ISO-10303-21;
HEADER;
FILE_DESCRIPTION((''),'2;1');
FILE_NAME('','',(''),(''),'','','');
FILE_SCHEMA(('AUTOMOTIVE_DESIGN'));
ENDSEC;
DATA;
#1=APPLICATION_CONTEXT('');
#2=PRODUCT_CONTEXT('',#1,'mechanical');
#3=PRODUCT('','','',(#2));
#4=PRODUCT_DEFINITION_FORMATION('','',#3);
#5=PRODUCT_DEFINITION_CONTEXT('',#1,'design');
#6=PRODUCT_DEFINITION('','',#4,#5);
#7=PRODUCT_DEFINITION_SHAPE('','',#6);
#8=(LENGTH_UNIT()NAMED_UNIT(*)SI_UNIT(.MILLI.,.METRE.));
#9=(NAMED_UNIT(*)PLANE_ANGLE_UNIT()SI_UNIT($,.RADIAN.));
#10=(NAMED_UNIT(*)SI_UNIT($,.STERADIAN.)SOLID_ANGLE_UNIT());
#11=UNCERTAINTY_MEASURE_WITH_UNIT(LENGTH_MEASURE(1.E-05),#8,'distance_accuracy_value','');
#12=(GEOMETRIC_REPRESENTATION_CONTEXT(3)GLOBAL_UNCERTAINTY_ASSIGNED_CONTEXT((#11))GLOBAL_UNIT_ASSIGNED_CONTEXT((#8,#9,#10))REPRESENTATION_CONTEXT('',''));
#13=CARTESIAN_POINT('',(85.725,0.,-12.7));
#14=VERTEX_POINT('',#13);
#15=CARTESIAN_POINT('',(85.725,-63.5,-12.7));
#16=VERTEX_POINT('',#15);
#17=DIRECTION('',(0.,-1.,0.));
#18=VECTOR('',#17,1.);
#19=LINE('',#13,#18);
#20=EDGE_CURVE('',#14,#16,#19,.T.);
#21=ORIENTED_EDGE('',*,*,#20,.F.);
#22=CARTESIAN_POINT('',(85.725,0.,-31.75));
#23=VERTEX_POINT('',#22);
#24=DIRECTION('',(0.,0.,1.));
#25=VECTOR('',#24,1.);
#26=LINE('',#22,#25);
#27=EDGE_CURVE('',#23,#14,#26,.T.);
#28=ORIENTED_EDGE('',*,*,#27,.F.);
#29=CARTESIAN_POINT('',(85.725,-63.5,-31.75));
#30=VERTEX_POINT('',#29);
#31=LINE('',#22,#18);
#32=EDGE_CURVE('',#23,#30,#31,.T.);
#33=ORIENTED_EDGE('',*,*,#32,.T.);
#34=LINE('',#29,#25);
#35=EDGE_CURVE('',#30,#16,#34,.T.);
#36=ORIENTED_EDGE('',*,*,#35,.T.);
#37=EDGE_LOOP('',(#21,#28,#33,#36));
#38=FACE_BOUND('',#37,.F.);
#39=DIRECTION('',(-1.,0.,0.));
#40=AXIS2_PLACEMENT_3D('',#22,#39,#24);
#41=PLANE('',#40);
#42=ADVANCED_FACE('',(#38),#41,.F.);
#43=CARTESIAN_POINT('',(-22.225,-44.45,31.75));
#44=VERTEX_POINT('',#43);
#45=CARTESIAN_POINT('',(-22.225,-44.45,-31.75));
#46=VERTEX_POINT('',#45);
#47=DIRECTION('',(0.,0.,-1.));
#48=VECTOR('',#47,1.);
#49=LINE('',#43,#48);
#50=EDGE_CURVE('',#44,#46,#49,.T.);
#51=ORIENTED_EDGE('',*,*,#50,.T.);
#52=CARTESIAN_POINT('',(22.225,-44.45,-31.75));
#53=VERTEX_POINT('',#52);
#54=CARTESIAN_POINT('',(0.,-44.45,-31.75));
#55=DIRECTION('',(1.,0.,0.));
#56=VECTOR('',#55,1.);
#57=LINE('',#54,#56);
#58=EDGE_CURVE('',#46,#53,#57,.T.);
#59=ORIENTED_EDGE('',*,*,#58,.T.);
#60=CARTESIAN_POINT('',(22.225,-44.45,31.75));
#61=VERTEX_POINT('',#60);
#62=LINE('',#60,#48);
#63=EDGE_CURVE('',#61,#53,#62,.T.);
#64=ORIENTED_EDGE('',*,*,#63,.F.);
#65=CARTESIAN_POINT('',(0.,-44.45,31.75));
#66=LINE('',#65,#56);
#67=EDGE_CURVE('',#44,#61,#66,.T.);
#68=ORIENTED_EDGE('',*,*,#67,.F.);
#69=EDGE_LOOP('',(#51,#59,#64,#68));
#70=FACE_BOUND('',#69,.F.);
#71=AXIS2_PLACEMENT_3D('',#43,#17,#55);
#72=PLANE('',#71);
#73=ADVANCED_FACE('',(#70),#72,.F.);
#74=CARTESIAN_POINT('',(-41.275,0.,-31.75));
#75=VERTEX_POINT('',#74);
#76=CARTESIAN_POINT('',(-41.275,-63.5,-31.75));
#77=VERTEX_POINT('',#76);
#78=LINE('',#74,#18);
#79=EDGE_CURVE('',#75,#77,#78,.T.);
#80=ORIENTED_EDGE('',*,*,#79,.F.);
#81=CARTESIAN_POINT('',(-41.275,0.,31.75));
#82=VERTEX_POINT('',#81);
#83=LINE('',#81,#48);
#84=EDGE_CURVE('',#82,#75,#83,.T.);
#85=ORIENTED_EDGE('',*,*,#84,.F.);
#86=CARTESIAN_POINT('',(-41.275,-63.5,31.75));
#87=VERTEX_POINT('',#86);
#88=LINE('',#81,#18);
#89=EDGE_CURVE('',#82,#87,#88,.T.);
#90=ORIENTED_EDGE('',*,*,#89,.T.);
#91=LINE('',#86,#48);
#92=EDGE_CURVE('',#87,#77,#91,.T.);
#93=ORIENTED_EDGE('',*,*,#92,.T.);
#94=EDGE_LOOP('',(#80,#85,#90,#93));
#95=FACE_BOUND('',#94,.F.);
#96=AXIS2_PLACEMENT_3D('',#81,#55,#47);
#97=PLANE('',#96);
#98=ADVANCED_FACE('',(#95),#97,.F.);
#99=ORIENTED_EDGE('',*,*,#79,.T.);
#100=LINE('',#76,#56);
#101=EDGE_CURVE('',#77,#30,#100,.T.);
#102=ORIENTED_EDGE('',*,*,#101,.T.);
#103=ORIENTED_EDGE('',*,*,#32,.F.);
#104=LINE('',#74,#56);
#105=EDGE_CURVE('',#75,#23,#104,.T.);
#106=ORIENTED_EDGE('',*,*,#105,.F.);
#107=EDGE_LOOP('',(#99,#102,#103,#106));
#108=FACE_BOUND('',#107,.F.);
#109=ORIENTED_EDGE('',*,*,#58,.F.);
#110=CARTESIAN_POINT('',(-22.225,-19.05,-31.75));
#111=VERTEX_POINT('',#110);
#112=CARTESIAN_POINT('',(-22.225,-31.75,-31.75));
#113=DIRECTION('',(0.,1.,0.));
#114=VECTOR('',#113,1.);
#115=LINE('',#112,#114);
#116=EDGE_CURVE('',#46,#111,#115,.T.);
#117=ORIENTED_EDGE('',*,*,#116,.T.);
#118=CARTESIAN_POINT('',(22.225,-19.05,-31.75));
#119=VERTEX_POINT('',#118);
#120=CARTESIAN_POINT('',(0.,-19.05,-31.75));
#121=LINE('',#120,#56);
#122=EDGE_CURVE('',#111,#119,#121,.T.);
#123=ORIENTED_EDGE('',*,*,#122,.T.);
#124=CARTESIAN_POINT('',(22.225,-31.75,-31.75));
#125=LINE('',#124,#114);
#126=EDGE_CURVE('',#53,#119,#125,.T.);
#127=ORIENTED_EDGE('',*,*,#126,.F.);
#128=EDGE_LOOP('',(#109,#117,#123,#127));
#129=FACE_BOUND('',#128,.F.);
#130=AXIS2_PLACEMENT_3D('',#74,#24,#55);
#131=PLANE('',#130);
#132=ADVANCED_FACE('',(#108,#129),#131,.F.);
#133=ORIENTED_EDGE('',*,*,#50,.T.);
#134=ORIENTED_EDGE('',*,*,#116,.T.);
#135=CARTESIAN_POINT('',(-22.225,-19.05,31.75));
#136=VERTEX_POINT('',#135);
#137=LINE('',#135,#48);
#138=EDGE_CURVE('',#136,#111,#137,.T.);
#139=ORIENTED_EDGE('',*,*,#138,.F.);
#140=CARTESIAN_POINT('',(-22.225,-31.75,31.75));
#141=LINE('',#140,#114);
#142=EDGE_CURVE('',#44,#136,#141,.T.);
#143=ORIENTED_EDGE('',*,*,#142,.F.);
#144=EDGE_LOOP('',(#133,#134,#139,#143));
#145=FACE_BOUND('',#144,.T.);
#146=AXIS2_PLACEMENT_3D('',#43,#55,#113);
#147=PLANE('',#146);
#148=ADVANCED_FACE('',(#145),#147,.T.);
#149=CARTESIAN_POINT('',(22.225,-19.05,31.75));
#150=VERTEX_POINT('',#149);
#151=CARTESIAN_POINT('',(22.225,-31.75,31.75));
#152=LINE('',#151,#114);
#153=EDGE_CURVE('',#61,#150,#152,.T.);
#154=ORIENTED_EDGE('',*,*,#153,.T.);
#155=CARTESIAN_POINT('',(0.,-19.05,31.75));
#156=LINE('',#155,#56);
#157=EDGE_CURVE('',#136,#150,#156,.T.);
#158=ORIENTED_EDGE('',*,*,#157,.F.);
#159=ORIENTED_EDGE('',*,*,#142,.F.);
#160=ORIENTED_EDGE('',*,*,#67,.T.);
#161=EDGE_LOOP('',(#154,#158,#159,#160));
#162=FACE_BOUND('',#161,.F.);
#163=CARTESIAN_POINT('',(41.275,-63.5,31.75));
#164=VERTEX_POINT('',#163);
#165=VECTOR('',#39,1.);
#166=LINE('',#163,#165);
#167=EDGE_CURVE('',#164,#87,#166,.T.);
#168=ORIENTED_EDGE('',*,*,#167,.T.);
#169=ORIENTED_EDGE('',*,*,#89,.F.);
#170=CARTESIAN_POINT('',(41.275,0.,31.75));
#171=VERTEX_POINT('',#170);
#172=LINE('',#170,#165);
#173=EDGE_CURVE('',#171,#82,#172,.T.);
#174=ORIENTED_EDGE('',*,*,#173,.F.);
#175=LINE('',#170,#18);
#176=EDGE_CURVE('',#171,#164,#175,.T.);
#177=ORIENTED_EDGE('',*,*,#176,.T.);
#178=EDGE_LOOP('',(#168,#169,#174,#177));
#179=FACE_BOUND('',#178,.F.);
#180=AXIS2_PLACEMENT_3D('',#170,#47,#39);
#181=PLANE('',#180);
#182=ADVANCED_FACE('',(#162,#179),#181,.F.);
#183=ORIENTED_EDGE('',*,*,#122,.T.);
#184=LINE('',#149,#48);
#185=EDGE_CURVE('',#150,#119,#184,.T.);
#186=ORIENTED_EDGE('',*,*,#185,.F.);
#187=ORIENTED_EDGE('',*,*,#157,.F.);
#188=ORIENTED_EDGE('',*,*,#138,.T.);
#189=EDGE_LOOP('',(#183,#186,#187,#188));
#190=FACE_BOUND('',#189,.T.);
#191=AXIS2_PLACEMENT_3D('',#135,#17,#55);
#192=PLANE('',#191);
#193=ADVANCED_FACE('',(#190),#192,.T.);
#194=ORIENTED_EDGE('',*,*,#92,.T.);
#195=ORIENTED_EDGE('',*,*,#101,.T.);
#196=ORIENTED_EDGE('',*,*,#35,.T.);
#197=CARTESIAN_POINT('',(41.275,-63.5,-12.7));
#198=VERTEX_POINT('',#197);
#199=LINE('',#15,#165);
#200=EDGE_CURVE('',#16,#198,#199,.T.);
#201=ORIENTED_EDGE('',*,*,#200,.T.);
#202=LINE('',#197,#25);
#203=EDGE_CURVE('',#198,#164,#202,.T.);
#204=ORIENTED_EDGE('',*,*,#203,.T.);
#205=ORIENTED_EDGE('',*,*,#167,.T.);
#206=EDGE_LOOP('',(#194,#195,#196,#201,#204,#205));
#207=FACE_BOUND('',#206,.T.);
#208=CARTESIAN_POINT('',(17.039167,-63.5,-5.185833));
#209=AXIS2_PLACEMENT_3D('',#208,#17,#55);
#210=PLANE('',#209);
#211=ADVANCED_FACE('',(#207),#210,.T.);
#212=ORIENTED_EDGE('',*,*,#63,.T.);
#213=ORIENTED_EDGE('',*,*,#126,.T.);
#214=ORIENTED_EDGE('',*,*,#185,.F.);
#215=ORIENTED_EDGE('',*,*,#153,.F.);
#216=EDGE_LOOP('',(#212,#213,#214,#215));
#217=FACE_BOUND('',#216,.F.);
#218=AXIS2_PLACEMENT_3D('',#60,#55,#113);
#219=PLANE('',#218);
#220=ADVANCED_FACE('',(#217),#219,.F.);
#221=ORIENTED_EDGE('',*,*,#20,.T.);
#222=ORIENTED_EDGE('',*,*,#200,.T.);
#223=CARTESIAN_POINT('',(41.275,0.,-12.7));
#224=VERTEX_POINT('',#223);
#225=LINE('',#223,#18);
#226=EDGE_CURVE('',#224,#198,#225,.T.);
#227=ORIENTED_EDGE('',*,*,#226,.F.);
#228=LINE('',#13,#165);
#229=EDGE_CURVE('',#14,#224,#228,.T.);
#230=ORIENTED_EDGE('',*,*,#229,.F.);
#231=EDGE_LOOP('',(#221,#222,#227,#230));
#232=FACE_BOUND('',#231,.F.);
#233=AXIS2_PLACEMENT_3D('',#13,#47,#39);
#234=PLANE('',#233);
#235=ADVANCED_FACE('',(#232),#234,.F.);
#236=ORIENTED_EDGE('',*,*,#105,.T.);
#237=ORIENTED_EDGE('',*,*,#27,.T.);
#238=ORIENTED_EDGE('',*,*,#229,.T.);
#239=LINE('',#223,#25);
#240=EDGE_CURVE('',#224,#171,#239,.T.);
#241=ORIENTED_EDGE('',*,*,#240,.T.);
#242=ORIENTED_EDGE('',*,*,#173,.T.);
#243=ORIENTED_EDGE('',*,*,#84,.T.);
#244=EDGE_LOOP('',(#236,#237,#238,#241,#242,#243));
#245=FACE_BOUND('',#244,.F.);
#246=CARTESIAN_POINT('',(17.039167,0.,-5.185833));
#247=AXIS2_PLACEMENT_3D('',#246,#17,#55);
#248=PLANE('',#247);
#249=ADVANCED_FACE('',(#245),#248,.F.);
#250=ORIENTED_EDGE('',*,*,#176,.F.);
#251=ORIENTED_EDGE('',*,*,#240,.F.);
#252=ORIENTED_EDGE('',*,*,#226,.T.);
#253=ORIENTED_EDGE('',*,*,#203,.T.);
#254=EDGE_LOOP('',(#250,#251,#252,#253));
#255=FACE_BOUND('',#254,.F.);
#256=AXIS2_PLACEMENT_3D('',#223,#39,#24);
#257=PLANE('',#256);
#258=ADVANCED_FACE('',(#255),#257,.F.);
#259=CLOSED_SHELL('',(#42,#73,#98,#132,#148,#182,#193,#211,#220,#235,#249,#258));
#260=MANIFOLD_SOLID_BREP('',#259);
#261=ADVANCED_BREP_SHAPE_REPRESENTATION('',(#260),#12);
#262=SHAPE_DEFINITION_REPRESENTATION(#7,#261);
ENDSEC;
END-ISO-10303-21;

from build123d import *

# Parameters (mm, degrees)
F1_DEPTH = 63.5
F2_W     = 44.45
F2_H     = 25.4
F3_DEPTH = 63.5


with BuildPart() as f1:
    # F0 (on Front) → F1 (new body)
    with BuildSketch(Plane.XZ):
        Polygon((-41.275, 31.75), (-41.275, -31.75), (41.275, -31.75), (85.725, -31.75), (85.725, -12.7), (41.275, -12.7), (41.275, 31.75), align=None)
    extrude(amount=F1_DEPTH)

    # F2 (on face) → F3 (cut)
    with BuildSketch(Plane.XY.offset(31.75)):
        with Locations((0, -31.75)):
            Rectangle(F2_W, F2_H)
    extrude(amount=-F3_DEPTH, mode=Mode.SUBTRACT)


solid = f1.part
